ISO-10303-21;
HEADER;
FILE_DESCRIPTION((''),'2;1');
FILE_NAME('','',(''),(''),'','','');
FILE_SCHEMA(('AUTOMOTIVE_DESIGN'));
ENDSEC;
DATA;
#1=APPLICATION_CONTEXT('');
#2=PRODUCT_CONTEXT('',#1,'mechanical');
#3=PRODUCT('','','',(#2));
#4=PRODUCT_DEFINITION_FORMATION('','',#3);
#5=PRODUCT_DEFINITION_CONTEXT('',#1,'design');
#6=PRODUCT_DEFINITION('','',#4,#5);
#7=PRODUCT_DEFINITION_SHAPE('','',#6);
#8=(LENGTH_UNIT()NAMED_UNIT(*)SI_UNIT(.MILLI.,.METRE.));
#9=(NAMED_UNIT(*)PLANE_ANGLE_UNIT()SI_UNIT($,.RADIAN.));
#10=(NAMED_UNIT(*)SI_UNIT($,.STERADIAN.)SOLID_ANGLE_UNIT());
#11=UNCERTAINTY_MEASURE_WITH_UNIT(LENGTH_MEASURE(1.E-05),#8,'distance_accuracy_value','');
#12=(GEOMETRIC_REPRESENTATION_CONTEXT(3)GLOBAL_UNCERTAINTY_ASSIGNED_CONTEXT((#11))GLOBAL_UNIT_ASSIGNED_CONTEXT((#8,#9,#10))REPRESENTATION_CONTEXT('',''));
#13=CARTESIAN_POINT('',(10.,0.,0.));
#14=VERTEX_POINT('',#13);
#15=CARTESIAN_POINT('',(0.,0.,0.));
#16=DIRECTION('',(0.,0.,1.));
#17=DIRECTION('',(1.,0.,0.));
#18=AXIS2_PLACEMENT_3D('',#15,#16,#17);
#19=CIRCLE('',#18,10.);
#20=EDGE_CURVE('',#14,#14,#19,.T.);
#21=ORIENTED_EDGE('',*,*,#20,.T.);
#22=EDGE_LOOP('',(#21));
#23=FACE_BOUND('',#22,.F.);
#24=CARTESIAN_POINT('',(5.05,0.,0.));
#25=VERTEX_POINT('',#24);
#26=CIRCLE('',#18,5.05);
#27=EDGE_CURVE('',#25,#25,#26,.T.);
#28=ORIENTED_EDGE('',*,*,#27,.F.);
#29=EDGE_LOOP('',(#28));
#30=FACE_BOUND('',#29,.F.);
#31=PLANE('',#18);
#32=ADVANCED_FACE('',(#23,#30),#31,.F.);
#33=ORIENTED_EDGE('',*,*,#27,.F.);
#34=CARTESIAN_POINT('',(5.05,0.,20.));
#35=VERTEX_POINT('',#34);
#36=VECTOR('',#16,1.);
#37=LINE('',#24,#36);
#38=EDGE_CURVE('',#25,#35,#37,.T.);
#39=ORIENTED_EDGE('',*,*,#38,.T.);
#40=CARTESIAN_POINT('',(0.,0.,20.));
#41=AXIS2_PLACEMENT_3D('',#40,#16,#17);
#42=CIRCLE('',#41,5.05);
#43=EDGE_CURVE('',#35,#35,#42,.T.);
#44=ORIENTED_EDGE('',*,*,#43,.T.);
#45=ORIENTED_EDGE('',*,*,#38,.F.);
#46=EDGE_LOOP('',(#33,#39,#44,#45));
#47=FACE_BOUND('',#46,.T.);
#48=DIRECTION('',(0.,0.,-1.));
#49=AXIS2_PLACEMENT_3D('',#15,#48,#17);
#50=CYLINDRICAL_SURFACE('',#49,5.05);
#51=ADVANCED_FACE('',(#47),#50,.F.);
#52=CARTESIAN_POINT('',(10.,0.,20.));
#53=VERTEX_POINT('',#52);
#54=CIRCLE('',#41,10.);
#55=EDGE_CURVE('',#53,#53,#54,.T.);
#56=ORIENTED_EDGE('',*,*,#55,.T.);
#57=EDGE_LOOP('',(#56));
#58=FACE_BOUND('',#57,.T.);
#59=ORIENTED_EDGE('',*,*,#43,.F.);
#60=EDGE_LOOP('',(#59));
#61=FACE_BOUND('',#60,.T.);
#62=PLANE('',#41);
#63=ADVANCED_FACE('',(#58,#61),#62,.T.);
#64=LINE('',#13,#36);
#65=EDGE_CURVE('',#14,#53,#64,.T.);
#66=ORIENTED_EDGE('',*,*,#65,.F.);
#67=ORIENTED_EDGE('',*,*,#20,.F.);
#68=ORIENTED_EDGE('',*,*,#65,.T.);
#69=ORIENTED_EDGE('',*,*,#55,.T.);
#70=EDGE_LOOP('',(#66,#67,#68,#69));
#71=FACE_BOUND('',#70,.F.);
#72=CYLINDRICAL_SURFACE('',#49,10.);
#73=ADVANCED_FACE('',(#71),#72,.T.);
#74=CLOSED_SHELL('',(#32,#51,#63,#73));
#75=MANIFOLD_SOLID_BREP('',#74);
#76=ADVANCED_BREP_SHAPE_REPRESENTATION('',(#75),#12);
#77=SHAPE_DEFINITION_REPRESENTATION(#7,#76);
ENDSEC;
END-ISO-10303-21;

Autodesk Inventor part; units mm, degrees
ref_plane "YZ Plane" through (0, 0, 0) normal (1, 0, 0) x (0, 1, 0)
ref_plane "XZ Plane" through (0, 0, 0) normal (0, 1, 0) x (-1, 0, 0)
ref_plane "XY Plane" through (0, 0, 0) normal (0, 0, 1) x (1, 0, 0)
sketch "Sketch1" plane through (0, 0, 0) normal (0, 0, 1) x (1, 0, 0)
  circle A0 centre (0, 0) radius 10
  circle A1 centre (0, 0) radius 5.05
  dimension "d0" = 20
  dimension "d1" = 10.1
extrude "Extrusion1" add sketch "Sketch1" along normal blind 20
properties part number "CAD_B_fill_3DPrint"
